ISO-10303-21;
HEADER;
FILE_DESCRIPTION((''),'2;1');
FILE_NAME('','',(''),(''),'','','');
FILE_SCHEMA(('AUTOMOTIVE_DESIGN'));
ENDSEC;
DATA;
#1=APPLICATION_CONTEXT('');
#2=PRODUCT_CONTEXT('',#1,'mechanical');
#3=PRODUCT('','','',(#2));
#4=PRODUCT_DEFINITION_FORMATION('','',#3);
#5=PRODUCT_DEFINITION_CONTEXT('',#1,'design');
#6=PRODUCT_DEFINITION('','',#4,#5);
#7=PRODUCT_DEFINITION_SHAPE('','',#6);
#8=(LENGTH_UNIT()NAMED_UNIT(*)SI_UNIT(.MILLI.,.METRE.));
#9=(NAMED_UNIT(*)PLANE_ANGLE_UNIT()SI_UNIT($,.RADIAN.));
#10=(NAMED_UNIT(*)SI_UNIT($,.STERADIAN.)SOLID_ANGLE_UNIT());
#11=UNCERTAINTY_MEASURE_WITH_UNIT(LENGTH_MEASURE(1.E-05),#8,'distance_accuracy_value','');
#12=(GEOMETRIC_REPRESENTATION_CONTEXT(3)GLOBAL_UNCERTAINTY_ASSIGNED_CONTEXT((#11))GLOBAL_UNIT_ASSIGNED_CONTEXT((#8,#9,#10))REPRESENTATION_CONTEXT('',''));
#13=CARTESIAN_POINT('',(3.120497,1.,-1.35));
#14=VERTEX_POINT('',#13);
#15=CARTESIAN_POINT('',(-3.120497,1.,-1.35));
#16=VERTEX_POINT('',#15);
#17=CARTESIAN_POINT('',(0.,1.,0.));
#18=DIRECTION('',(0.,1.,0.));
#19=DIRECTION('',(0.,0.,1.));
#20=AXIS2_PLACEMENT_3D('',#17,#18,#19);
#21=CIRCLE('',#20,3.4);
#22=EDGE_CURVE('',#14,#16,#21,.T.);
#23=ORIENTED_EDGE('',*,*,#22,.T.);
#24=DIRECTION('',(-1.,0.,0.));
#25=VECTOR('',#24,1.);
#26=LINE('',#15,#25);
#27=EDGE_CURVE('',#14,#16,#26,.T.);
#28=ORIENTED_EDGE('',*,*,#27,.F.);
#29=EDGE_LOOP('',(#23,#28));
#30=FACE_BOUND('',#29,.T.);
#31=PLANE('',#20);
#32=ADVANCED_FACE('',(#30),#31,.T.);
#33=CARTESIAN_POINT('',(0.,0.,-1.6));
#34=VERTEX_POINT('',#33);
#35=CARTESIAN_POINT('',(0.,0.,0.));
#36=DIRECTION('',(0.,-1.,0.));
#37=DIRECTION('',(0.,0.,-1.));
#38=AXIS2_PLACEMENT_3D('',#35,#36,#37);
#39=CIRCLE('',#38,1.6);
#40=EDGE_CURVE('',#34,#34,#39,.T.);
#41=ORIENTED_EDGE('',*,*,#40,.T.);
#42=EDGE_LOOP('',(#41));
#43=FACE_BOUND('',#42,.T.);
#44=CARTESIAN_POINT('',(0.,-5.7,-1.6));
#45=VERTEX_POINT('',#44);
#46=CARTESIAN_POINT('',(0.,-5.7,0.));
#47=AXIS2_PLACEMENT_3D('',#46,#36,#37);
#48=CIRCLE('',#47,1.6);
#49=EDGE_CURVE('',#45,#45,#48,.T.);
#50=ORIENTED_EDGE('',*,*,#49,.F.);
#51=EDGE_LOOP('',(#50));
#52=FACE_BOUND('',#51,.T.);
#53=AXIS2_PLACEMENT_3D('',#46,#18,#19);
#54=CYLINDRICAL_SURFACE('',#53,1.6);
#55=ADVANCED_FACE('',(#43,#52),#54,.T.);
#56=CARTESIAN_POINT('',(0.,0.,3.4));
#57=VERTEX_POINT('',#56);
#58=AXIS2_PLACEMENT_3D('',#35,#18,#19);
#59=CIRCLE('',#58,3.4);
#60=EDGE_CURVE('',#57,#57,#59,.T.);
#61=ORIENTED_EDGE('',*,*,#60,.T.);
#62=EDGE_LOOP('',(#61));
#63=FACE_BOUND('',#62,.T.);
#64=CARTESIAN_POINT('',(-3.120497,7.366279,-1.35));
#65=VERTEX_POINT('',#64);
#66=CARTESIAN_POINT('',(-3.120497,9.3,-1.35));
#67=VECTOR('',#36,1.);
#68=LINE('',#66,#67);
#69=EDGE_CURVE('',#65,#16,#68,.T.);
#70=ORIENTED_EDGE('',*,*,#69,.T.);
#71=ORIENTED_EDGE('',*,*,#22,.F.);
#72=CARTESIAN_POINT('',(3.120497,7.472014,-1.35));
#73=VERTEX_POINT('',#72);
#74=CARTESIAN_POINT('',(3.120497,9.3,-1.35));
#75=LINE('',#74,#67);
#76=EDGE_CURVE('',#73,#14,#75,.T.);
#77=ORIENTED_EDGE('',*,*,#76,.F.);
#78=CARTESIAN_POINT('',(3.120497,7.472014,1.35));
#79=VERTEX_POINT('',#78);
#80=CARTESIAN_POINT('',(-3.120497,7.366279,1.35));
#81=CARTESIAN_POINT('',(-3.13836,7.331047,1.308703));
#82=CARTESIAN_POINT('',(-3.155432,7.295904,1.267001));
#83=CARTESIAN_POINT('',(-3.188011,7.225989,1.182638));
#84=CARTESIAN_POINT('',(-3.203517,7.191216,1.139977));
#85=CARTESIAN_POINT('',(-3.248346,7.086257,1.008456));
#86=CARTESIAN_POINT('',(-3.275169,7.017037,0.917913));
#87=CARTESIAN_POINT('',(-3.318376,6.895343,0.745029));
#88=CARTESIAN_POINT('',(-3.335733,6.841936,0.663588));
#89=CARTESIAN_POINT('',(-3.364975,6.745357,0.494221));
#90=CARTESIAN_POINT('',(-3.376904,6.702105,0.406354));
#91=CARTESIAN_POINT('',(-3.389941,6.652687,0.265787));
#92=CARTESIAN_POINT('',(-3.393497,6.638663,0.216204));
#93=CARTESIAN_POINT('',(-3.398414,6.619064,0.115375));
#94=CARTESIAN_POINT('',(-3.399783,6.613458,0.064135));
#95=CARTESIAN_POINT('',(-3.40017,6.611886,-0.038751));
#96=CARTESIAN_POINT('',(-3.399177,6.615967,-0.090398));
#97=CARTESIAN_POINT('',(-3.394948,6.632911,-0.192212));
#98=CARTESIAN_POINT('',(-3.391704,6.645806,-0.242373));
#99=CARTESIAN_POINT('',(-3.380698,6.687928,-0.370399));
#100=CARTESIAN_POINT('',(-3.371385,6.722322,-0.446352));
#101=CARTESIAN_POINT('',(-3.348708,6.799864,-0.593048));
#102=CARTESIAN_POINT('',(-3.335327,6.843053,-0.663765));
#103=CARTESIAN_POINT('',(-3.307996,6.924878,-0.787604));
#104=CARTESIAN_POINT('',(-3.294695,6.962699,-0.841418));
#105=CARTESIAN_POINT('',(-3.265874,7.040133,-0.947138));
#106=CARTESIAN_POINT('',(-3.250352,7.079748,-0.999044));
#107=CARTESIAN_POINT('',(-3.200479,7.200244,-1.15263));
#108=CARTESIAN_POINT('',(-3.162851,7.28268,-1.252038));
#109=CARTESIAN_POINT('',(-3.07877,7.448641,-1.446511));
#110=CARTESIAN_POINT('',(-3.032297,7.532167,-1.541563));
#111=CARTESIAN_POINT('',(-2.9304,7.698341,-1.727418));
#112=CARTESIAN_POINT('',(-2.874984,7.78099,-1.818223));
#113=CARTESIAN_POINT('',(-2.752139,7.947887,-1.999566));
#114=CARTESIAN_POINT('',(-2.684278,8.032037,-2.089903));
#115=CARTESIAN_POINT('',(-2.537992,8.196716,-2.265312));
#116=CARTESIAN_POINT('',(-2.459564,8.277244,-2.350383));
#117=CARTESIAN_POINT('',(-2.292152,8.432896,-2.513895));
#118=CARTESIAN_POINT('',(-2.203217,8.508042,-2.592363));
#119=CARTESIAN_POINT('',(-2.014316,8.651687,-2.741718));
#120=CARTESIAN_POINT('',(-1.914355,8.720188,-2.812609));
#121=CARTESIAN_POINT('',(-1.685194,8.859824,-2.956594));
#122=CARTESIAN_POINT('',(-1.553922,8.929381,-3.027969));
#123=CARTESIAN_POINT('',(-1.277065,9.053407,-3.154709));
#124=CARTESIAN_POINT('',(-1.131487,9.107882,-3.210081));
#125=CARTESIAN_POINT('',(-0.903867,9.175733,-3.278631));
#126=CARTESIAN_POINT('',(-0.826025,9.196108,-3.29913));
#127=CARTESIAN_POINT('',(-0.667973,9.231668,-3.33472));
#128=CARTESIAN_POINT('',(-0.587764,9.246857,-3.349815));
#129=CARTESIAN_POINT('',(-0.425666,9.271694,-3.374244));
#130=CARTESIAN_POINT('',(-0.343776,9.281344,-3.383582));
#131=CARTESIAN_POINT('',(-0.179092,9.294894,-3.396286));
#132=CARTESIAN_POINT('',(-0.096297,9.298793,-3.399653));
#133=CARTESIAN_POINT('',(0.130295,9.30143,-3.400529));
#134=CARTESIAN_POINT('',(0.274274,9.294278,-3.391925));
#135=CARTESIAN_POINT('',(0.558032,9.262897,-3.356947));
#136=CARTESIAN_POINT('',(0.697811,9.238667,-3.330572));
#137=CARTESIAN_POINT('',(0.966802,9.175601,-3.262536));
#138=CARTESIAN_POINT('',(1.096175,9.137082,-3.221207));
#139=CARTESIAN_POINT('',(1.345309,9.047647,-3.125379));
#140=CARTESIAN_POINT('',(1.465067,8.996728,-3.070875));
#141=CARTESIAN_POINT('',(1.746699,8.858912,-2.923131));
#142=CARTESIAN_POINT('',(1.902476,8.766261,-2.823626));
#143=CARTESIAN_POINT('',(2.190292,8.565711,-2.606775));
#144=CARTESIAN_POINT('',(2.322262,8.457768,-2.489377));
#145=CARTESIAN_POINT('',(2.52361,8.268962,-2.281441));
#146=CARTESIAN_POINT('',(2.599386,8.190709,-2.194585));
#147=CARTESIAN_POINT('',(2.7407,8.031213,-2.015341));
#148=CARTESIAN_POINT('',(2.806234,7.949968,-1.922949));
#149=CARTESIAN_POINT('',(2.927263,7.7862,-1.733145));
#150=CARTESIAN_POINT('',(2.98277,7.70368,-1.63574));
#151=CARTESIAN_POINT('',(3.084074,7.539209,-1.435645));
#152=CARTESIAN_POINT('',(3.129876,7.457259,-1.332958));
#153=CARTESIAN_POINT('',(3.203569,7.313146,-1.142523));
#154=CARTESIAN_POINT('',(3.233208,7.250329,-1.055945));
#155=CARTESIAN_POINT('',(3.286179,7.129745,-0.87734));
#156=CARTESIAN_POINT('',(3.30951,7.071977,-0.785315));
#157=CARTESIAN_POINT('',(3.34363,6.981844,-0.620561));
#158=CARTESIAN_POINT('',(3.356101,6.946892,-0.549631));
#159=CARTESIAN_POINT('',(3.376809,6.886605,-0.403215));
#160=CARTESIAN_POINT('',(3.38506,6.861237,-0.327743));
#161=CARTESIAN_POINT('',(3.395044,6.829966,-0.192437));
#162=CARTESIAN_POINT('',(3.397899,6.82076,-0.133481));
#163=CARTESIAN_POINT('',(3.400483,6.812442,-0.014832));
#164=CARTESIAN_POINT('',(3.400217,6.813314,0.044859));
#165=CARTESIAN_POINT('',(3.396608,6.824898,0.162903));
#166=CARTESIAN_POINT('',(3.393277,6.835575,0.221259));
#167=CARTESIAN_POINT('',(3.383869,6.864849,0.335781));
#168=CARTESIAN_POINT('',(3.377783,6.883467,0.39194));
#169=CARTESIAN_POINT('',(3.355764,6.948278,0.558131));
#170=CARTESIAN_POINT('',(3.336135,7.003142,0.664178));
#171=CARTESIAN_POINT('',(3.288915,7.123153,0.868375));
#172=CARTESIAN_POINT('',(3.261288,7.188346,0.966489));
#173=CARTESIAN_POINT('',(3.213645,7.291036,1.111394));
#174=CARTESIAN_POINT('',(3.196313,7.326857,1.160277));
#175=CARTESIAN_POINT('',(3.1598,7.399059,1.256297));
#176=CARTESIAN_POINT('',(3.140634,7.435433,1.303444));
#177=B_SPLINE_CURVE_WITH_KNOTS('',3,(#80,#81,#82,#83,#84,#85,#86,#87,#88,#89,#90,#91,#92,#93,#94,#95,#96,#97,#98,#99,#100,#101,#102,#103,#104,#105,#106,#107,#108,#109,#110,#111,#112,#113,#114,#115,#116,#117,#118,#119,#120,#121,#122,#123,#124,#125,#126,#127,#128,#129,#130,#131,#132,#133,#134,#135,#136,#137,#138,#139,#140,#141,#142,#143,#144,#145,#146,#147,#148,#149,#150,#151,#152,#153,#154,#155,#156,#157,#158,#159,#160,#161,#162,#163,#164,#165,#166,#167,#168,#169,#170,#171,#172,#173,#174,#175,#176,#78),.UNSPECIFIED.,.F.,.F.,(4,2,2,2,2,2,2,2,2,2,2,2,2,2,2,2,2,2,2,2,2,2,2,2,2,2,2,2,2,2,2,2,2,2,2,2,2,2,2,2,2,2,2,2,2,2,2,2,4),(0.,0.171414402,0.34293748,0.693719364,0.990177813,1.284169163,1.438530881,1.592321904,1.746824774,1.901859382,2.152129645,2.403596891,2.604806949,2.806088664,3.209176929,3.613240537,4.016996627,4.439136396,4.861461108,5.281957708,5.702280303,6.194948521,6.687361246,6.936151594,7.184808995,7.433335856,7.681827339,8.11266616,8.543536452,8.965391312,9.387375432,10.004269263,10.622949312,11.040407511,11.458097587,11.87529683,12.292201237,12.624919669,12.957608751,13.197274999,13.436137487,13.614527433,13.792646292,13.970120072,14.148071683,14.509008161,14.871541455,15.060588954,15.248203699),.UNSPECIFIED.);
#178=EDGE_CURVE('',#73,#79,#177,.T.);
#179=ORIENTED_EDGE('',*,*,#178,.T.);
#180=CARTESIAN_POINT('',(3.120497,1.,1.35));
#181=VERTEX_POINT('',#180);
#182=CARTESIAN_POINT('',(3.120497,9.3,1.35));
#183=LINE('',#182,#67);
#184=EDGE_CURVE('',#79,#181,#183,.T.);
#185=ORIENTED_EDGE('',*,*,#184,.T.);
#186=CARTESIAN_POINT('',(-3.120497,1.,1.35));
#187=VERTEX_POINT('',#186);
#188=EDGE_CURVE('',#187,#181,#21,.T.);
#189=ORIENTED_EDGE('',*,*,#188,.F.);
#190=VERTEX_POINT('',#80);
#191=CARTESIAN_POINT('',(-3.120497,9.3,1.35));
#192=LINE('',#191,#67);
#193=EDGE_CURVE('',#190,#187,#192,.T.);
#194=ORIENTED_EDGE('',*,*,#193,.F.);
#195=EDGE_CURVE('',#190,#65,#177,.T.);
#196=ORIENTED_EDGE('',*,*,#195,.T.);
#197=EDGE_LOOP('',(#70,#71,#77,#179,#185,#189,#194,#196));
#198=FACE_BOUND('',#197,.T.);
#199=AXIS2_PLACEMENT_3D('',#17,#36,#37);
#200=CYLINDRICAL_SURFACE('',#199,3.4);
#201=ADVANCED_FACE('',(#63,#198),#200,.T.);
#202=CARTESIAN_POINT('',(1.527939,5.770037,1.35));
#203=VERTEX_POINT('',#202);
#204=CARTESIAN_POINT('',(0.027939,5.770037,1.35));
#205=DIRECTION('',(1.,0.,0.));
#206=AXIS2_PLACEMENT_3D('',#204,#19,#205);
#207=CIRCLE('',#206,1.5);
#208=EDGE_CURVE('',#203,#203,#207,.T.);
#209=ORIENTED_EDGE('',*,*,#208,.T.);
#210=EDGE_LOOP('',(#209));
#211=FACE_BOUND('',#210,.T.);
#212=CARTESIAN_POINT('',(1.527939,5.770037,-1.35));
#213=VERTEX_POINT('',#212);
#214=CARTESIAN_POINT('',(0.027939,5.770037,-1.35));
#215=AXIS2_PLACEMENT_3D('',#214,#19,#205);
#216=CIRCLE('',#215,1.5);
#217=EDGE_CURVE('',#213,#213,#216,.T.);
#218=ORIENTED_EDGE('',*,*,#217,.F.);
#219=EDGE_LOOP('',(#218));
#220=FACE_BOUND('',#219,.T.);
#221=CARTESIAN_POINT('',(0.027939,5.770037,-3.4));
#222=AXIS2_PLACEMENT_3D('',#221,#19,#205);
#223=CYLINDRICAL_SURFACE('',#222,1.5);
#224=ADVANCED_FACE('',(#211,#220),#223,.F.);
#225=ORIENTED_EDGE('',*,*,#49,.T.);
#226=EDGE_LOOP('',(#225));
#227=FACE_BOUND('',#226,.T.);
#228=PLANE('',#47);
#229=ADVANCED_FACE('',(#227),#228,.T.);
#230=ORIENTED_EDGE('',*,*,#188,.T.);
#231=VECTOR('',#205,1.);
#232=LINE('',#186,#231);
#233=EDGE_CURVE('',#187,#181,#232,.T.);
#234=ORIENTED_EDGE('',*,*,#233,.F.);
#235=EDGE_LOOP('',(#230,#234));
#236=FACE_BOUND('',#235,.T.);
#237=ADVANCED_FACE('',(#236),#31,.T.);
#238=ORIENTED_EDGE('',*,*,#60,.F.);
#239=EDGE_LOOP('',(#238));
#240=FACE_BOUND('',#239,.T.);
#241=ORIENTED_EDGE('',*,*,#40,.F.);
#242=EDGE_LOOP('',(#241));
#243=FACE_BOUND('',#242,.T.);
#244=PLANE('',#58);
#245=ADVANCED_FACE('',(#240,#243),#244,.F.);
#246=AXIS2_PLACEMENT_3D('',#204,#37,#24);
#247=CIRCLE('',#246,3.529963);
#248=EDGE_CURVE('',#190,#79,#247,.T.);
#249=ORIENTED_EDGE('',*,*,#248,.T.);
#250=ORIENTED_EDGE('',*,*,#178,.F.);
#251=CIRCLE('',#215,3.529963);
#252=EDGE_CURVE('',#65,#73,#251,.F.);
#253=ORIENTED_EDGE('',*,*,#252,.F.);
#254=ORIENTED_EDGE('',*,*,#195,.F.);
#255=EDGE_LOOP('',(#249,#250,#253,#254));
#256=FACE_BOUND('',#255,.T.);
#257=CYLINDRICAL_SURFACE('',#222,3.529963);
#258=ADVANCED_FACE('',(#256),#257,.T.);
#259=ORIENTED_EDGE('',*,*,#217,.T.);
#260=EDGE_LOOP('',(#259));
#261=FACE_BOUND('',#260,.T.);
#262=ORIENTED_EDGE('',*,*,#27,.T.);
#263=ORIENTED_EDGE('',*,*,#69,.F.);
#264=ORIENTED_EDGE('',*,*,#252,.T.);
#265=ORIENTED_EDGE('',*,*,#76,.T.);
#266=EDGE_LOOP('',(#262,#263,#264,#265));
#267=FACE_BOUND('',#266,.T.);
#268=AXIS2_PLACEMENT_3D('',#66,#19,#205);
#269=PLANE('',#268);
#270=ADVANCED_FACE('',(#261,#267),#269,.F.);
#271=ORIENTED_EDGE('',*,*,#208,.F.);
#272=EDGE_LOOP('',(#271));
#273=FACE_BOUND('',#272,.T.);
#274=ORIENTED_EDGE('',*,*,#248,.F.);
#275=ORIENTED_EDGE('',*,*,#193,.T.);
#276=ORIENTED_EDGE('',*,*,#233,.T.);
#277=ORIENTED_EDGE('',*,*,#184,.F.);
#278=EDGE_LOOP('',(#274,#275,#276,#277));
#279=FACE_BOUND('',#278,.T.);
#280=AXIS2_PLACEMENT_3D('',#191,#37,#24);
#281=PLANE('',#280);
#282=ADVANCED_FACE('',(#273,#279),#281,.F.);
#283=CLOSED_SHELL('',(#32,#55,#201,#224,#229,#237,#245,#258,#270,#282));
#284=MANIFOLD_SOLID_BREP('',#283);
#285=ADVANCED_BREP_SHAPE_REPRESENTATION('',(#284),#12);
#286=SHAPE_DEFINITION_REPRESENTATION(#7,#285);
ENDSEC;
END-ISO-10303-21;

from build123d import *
from build123d.topology import SkipClean

# Parameters (mm, degrees)
SKETCH_1_R          = 3.4
EXTRUDE_3_DEPTH     = 1
EXTRUDE_4_DEPTH     = 8.3
CUT_EXTRUDE_3_DEPTH = 11.982372239
SKETCH_7_R          = 1.5
CUT_EXTRUDE_4_DEPTH = 11.982372355
SKETCH_8_R          = 1.6
EXTRUDE_5_DEPTH     = 5.7


with BuildPart() as part:
    # 草图1 → 凸台-拉伸3 (new body)
    with BuildSketch(Plane(origin=(0, 0, 0), x_dir=(1, 0, 0), z_dir=(0, 1, 0))):
        with Locations(Location((0, 0, 0), (0, 0, 270))):
            Circle(SKETCH_1_R)
    extrude(amount=EXTRUDE_3_DEPTH)

    # 草图5 → 凸台-拉伸4 (add)
    with SkipClean():  # the faces are left unmerged after this step: merging them gives an invalid solid
        with BuildSketch(Plane(origin=(0, 1, 0), x_dir=(1, 0, 0), z_dir=(0, 1, 0))):
            with BuildLine():
                Line((-3.120496755, 1.35), (3.120496755, 1.35))
                ThreePointArc((3.120496755, 1.35), (3.4, 0), (3.120496755, -1.35))
                Line((3.120496755, -1.35), (-3.120496755, -1.35))
                ThreePointArc((-3.120496755, -1.35), (-3.4, 0), (-3.120496755, 1.35))
            make_face()
        extrude(amount=EXTRUDE_4_DEPTH)

    # 草图6 → 切除-拉伸3 (cut, through all)
    with SkipClean():  # the faces are left unmerged after this step: merging them gives an invalid solid
        with BuildSketch(Plane.XY.offset(1.35)):
            with BuildLine():
                Line((-3.4, 6.612575767), (-3.4, 9.766288837))
                Line((-3.4, 9.766288837), (3.4, 9.766288837))
                Line((3.4, 9.766288837), (3.4, 6.81399223))
                ThreePointArc((3.4, 6.81399223), (-0.076572867, 9.298452515), (-3.4, 6.612575767))
            make_face()
        extrude(amount=-CUT_EXTRUDE_3_DEPTH, mode=Mode.SUBTRACT)

    # 草图7 → 切除-拉伸4 (cut, through all)
    with SkipClean():  # the faces are left unmerged after this step: merging them gives an invalid solid
        with BuildSketch(Plane.XY.offset(1.35)):
            with Locations((0.027939034, 5.770037221)):
                Circle(SKETCH_7_R)
        extrude(amount=-CUT_EXTRUDE_4_DEPTH, mode=Mode.SUBTRACT)

    # 草图8 → 凸台-拉伸5 (add)
    with SkipClean():  # the faces are left unmerged after this step: merging them gives an invalid solid
        with BuildSketch(Plane.XZ):
            with Locations(Location((0, 0, 0), (0, 0, 270))):
                Circle(SKETCH_8_R)
        extrude(amount=EXTRUDE_5_DEPTH)


solid = part.part
